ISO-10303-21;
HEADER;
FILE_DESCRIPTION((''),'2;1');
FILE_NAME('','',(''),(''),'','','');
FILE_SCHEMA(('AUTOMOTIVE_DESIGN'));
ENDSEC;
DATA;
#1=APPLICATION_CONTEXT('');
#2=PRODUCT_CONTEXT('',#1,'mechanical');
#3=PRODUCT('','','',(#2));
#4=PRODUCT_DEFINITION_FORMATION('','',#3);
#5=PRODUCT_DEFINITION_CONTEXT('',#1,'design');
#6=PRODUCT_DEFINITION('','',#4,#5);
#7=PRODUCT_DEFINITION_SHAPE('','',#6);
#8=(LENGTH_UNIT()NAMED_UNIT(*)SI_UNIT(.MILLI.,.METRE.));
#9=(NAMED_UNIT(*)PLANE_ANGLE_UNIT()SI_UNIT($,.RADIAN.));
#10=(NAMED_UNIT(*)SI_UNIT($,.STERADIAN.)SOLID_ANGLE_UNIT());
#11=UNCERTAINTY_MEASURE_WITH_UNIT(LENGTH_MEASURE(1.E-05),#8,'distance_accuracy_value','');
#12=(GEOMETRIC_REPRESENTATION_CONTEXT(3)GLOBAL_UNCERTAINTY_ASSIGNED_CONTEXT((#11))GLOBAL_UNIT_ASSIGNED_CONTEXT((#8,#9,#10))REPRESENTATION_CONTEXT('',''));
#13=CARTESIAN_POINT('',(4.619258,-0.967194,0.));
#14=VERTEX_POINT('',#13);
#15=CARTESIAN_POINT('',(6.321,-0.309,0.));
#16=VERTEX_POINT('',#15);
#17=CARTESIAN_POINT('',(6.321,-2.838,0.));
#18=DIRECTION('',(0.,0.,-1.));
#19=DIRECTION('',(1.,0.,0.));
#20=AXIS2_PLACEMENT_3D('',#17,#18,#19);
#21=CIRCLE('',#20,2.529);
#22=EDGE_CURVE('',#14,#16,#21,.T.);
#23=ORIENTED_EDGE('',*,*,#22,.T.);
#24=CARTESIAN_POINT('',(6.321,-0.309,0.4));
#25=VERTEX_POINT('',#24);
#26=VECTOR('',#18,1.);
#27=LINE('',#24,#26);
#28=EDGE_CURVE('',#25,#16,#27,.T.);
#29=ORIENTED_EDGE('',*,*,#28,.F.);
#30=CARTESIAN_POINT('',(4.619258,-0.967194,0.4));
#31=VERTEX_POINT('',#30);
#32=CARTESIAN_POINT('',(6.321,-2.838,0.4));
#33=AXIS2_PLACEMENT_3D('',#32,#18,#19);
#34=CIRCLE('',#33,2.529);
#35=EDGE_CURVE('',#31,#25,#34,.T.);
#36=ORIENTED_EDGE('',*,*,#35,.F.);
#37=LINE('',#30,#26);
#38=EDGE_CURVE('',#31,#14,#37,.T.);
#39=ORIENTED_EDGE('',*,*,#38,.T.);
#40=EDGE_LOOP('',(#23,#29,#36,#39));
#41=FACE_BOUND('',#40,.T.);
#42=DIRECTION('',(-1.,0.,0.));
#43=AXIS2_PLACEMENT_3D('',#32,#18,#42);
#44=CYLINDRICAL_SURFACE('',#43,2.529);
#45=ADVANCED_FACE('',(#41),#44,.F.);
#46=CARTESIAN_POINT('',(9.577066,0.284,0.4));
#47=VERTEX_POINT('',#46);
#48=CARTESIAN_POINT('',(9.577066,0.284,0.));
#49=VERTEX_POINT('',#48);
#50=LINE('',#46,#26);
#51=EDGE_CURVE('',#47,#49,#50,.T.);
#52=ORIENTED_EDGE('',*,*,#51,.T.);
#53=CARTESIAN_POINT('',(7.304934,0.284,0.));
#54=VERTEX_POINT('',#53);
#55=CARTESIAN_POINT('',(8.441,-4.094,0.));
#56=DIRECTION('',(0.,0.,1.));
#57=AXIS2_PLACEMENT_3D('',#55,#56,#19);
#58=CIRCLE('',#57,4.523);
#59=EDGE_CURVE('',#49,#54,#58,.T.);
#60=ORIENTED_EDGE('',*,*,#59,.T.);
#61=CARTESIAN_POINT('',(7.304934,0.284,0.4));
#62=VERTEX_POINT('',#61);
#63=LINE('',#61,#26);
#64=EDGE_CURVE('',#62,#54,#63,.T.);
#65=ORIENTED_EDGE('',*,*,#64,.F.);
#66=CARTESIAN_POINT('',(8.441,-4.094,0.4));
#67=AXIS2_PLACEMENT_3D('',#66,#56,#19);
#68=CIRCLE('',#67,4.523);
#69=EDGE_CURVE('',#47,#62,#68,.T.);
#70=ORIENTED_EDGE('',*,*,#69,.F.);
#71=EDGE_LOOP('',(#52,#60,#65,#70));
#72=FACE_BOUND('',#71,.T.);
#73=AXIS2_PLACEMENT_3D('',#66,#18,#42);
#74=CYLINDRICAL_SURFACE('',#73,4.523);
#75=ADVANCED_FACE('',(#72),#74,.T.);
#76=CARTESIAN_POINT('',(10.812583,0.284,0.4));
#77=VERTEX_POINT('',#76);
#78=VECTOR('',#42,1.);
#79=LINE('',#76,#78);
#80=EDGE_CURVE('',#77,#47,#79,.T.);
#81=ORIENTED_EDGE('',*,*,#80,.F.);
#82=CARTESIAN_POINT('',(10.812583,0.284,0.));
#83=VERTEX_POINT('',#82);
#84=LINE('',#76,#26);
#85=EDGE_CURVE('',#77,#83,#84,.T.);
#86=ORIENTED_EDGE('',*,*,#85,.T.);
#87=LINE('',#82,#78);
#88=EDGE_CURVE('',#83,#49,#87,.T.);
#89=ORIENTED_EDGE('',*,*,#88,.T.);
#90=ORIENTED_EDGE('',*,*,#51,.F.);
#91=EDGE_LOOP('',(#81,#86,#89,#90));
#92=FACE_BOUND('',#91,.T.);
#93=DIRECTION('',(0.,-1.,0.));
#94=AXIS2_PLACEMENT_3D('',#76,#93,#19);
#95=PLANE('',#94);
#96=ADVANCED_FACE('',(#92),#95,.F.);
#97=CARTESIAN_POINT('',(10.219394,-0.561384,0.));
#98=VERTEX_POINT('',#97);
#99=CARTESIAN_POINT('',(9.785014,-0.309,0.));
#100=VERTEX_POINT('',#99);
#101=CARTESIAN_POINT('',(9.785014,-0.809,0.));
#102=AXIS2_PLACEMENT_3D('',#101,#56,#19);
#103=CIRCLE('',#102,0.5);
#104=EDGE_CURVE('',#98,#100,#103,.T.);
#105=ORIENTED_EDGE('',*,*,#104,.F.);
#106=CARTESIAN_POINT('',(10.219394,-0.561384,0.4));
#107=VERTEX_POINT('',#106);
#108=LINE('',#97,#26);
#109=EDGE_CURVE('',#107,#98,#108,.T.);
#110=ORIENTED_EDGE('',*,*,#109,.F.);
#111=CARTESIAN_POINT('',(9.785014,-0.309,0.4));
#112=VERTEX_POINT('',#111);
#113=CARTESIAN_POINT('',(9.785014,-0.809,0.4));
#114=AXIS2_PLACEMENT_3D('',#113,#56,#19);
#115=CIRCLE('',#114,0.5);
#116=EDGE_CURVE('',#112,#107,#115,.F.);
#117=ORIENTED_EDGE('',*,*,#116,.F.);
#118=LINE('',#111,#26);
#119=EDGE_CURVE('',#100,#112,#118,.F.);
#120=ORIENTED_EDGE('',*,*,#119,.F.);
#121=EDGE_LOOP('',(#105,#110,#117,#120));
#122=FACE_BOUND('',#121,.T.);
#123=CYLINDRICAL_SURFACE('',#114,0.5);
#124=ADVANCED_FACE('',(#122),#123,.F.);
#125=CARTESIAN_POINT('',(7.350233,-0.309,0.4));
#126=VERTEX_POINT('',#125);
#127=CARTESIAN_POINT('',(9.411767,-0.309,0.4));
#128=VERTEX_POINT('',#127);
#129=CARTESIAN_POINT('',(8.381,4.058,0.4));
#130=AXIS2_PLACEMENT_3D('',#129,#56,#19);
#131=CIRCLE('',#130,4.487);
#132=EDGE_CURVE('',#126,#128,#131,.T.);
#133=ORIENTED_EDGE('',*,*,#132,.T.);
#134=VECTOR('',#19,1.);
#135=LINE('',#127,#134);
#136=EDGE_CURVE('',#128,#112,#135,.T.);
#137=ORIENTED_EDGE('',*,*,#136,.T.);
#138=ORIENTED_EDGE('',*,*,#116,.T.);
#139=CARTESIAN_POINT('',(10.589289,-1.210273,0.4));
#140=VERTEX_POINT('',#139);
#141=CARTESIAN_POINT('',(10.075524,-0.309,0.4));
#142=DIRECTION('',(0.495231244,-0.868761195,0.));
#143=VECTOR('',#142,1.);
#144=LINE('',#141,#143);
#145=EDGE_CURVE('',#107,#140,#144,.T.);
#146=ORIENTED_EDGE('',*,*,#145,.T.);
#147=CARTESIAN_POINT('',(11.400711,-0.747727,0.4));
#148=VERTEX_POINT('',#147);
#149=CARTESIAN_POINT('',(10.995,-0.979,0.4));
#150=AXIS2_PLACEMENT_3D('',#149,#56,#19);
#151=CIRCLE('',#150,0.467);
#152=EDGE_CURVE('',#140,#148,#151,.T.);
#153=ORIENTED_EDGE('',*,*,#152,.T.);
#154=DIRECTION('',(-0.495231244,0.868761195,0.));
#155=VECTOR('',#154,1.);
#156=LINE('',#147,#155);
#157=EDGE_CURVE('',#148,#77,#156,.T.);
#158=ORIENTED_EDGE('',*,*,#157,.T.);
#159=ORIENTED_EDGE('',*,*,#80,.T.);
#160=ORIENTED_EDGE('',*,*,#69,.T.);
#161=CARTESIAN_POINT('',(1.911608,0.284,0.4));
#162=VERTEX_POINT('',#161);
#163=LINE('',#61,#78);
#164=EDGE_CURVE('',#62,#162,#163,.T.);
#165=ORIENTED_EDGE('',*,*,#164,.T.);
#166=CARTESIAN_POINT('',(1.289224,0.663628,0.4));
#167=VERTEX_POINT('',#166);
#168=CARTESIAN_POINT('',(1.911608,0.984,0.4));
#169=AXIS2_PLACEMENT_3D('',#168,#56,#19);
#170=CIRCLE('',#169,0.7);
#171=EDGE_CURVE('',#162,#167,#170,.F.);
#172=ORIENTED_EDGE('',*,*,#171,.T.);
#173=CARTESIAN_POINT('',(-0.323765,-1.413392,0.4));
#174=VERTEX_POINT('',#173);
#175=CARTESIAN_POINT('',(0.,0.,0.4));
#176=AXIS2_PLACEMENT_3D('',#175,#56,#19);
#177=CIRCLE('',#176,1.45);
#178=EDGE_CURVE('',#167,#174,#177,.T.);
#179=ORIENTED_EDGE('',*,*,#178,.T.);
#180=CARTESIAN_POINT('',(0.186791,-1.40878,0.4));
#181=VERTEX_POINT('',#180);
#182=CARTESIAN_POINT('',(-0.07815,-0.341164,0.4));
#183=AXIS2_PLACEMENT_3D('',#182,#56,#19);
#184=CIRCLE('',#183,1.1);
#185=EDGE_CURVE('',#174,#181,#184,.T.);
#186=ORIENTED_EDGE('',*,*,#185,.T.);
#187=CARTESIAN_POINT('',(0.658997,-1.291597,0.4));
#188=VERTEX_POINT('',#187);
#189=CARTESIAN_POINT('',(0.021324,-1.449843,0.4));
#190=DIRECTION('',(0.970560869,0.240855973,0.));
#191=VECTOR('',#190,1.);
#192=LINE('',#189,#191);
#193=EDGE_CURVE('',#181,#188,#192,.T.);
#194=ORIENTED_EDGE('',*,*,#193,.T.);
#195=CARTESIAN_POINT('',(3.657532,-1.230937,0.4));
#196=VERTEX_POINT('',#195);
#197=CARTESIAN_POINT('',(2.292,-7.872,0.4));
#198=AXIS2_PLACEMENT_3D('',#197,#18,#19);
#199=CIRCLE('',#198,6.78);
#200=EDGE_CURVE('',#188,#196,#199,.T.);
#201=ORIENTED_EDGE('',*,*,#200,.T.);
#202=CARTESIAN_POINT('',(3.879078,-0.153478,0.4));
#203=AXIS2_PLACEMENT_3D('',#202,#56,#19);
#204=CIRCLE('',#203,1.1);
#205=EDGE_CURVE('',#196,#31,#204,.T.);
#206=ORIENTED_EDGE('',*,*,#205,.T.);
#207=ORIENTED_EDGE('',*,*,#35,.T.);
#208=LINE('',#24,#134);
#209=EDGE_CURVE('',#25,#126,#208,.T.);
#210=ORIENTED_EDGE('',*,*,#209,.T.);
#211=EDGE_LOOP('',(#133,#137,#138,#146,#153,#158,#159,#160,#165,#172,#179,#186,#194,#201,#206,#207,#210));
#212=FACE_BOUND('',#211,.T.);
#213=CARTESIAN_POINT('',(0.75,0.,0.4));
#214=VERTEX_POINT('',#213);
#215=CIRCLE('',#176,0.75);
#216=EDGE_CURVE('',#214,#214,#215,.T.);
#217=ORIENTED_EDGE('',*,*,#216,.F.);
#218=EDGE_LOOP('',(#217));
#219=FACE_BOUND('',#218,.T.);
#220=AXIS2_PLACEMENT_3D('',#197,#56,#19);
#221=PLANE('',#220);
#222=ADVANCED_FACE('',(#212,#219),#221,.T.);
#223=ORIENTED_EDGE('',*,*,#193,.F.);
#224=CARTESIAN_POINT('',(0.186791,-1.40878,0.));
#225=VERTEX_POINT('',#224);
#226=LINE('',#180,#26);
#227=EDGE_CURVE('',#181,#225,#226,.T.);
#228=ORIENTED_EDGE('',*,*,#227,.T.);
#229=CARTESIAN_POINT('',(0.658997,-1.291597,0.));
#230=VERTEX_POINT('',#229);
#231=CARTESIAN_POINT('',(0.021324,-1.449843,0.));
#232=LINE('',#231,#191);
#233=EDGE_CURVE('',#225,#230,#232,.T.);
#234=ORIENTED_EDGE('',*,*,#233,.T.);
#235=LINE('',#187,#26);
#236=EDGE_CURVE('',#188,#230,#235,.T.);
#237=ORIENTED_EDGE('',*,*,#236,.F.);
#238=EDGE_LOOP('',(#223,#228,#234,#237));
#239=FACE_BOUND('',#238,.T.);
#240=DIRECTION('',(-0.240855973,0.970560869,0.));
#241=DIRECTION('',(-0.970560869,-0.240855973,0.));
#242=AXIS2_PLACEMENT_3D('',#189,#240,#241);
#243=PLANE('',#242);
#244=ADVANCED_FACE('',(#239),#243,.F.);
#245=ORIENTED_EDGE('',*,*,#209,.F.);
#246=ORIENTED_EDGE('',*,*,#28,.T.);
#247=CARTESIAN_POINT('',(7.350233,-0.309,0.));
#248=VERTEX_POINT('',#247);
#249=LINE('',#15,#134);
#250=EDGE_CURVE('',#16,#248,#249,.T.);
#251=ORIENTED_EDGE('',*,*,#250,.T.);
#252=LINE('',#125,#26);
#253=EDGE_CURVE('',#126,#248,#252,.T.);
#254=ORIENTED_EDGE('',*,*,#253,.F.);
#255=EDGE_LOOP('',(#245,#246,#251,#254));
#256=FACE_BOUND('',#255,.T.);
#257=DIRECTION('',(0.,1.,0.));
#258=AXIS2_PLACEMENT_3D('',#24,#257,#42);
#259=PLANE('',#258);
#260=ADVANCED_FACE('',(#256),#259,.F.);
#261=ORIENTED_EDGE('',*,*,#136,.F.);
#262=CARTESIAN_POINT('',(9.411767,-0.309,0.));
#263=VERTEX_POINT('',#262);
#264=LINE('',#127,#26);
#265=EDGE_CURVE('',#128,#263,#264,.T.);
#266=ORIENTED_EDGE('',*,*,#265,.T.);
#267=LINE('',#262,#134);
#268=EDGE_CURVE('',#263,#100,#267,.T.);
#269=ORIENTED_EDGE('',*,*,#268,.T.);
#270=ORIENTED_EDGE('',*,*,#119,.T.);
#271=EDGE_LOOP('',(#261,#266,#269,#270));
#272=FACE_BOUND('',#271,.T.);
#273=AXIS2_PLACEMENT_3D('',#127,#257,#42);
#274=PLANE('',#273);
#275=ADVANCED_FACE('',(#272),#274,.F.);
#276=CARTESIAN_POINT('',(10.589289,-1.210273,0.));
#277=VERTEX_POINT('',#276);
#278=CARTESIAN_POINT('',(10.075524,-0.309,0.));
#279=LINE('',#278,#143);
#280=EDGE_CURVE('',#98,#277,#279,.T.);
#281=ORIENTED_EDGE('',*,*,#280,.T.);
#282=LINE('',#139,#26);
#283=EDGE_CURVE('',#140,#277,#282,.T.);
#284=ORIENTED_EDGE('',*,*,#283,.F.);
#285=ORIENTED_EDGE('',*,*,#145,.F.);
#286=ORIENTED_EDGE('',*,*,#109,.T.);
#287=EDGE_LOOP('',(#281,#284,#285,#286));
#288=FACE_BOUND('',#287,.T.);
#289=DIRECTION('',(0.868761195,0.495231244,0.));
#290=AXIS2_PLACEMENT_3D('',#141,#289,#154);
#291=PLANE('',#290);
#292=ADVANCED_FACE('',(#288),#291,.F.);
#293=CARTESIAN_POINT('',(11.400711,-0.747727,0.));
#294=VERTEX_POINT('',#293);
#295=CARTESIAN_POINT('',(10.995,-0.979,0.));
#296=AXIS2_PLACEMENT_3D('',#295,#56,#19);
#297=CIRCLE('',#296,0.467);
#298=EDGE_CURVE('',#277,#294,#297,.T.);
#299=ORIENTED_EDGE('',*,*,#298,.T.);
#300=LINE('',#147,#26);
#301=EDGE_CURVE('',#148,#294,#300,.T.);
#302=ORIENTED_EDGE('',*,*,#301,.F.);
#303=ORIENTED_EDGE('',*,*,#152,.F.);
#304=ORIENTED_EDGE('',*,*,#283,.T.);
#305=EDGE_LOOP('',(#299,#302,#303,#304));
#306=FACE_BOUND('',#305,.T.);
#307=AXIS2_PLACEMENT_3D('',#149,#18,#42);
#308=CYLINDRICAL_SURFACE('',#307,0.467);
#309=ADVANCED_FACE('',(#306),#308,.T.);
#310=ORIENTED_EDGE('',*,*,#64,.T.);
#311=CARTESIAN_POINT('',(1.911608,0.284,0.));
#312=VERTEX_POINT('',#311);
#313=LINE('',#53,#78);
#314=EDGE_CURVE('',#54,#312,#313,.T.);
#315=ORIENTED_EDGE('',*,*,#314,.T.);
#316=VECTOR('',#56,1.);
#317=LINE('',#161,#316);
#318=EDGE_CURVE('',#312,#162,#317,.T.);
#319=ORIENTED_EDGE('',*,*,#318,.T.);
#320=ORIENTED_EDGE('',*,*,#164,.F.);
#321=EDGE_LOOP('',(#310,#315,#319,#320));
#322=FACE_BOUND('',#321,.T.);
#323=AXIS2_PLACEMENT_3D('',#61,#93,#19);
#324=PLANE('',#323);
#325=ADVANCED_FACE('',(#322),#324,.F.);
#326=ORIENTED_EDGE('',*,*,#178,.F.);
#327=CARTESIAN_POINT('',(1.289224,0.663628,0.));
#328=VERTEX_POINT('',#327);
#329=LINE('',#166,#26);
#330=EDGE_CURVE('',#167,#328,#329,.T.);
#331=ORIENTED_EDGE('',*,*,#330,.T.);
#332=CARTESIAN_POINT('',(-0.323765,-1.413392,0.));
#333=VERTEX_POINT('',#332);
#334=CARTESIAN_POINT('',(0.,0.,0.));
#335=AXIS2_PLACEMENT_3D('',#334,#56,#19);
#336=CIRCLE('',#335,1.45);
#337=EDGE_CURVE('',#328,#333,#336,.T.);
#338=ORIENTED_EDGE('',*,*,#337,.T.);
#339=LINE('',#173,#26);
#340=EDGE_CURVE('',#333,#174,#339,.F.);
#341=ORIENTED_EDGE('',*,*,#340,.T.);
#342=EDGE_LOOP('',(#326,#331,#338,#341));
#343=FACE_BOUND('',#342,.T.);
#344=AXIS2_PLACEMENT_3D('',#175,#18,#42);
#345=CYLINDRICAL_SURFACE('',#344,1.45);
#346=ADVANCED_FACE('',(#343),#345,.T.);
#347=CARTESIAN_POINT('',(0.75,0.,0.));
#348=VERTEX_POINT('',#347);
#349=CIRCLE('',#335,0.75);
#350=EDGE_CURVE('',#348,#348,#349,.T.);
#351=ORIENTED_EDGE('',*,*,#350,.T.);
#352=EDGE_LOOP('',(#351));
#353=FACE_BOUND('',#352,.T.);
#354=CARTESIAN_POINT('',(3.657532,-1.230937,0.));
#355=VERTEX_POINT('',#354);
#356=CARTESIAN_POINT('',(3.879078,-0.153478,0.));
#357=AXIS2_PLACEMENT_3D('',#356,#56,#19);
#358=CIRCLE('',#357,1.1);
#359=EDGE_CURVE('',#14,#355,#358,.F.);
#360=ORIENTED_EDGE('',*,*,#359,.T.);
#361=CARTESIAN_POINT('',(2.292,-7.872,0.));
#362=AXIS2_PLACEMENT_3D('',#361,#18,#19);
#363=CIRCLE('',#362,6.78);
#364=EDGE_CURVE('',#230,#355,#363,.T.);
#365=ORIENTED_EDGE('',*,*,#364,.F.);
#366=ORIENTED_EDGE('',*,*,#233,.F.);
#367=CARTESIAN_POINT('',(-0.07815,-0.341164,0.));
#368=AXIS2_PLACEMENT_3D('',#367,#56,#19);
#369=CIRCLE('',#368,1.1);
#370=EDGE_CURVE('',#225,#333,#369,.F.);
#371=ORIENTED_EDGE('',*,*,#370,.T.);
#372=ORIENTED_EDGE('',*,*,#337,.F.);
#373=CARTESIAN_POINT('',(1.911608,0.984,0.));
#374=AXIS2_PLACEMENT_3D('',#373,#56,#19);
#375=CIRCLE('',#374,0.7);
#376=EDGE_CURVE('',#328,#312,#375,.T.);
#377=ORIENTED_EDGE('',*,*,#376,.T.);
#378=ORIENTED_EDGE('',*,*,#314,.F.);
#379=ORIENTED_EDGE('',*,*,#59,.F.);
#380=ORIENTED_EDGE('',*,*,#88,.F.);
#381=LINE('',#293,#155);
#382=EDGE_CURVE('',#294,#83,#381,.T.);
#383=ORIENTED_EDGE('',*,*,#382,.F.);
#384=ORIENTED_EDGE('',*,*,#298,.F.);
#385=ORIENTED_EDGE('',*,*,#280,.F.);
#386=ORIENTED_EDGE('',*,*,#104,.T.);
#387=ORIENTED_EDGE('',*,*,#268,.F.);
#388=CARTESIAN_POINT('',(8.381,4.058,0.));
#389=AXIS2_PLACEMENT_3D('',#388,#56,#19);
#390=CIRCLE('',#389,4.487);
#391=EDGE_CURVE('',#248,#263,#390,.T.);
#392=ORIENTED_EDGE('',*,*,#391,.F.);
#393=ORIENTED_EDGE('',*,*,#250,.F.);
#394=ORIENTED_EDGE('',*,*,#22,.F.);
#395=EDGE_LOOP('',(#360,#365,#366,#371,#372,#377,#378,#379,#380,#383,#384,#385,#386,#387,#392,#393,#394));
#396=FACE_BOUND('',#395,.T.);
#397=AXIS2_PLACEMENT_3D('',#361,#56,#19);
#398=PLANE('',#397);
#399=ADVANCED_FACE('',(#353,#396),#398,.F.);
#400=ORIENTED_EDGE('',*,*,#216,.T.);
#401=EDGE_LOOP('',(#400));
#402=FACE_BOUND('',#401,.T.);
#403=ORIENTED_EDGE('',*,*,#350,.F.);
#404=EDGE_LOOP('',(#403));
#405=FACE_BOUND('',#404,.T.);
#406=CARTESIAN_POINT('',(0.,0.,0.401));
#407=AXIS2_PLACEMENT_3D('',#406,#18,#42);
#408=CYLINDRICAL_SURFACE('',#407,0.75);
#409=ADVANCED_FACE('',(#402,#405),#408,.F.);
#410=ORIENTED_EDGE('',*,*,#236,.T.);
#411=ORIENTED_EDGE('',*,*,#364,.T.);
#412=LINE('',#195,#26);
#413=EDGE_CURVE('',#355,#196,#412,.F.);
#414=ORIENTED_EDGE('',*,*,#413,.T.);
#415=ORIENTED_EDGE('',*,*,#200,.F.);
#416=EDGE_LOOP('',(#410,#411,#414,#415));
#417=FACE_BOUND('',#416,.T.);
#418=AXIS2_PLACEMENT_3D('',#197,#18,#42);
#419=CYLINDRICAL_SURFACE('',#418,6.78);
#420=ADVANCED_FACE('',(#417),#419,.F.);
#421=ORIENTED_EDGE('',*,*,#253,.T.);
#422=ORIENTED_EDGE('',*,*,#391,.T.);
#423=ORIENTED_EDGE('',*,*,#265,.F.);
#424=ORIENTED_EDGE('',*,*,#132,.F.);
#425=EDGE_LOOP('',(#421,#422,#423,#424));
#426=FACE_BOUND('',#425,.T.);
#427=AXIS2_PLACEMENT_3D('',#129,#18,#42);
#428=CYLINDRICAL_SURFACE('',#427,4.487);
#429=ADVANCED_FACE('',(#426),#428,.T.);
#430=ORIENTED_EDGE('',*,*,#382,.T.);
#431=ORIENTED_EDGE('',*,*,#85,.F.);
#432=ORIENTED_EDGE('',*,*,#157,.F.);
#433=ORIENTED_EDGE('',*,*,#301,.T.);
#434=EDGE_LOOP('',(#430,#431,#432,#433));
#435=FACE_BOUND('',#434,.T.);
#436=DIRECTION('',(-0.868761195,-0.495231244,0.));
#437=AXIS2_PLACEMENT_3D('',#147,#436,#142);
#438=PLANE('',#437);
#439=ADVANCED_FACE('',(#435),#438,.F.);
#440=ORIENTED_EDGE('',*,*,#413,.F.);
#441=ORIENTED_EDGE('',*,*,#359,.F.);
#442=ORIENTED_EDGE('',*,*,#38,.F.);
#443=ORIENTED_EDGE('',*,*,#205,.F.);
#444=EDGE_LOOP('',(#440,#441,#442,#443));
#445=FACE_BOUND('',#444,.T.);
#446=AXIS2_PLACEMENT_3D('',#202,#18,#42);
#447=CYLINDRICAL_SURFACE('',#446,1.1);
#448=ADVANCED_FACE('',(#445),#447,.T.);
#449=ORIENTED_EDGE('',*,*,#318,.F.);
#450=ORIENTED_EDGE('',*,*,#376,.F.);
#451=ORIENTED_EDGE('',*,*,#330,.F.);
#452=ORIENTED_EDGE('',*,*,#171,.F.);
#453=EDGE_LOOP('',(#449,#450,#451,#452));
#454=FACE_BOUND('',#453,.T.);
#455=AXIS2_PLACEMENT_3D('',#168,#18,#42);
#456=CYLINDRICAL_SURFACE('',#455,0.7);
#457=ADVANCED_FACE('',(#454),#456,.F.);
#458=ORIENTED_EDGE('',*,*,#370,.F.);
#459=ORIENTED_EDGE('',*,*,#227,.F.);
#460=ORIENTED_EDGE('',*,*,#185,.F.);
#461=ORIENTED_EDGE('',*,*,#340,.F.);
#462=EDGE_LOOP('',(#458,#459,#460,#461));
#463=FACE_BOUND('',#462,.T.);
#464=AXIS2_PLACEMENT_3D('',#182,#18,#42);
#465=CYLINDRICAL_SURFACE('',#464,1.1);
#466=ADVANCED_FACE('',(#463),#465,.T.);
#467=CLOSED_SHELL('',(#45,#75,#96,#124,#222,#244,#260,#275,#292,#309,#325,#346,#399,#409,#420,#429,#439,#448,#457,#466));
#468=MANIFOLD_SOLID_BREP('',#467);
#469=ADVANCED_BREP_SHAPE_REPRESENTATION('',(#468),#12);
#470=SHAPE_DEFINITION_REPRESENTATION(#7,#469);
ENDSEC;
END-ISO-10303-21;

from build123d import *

# Parameters (mm, degrees)
BOSS_EXTRUDE1_DEPTH = 0.4
CUT_EXTRUDE1_REACH  = 2.4
SKETCH2_R           = 0.75
FILLET1_R           = 0.5
FILLET2_R           = 0.7
FILLET3_R           = 1.1


with BuildPart() as part:
    # Sketch1 → Boss-Extrude1 (new body)
    with BuildSketch(Plane.XY):
        with BuildLine():
            Line((11.400711478, -0.747727009), (10.812582712, 0.284))
            Line((10.812582712, 0.284), (9.577065579, 0.284))
            ThreePointArc((9.577065579, 0.284), (8.441, 0.429), (7.304934421, 0.284))
            Line((7.304934421, 0.284), (1.421915609, 0.284))
            ThreePointArc((1.421915609, 0.284), (-1.127957488, 0.911159648), (0.021323855, -1.449843196))
            Line((0.021323855, -1.449843196), (0.658996505, -1.291597308))
            ThreePointArc((0.658996505, -1.291597308), (2.462224804, -1.094137246), (4.253267655, -1.381866782))
            ThreePointArc((4.253267655, -1.381866782), (5.15625108, -0.593183537), (6.321, -0.309))
            Line((6.321, -0.309), (7.350233295, -0.309))
            ThreePointArc((7.350233295, -0.309), (8.381, -0.429), (9.411766705, -0.309))
            Line((9.411766705, -0.309), (10.075524156, -0.309))
            Line((10.075524156, -0.309), (10.589288522, -1.210272991))
            ThreePointArc((10.589288522, -1.210272991), (11.226272991, -1.384711478), (11.400711478, -0.747727009))
        make_face()
    extrude(amount=BOSS_EXTRUDE1_DEPTH)

    # Sketch2 → Cut-Extrude1 (cut, up to next)
    with BuildSketch(Plane.XY, mode=Mode.PRIVATE) as cut_extrude1_sk1:
        Circle(SKETCH2_R)
    cut_extrude1_tool1 = extrude(cut_extrude1_sk1.sketch, amount=CUT_EXTRUDE1_REACH, mode=Mode.PRIVATE) & part.part
    add(cut_extrude1_tool1.solids().sort_by_distance((0, 0, 0))[0], mode=Mode.SUBTRACT)

    # Fillet1
    fillet1_edges = [part.edges().sort_by_distance(p)[0] for p in [
        (10.075524156, -0.309, 0.2),
    ]]
    fillet(fillet1_edges, radius=FILLET1_R)

    # Fillet2
    fillet2_edges = [part.edges().sort_by_distance(p)[0] for p in [
        (1.421915609, 0.284, 0.2),
    ]]
    fillet(fillet2_edges, radius=FILLET2_R)

    # Fillet3
    fillet3_edges = [part.edges().sort_by_distance(p)[0] for p in [
        (0.021323855, -1.449843196, 0.2),
        (4.253267655, -1.381866782, 0.2),
    ]]
    fillet(fillet3_edges, radius=FILLET3_R)


solid = part.part
